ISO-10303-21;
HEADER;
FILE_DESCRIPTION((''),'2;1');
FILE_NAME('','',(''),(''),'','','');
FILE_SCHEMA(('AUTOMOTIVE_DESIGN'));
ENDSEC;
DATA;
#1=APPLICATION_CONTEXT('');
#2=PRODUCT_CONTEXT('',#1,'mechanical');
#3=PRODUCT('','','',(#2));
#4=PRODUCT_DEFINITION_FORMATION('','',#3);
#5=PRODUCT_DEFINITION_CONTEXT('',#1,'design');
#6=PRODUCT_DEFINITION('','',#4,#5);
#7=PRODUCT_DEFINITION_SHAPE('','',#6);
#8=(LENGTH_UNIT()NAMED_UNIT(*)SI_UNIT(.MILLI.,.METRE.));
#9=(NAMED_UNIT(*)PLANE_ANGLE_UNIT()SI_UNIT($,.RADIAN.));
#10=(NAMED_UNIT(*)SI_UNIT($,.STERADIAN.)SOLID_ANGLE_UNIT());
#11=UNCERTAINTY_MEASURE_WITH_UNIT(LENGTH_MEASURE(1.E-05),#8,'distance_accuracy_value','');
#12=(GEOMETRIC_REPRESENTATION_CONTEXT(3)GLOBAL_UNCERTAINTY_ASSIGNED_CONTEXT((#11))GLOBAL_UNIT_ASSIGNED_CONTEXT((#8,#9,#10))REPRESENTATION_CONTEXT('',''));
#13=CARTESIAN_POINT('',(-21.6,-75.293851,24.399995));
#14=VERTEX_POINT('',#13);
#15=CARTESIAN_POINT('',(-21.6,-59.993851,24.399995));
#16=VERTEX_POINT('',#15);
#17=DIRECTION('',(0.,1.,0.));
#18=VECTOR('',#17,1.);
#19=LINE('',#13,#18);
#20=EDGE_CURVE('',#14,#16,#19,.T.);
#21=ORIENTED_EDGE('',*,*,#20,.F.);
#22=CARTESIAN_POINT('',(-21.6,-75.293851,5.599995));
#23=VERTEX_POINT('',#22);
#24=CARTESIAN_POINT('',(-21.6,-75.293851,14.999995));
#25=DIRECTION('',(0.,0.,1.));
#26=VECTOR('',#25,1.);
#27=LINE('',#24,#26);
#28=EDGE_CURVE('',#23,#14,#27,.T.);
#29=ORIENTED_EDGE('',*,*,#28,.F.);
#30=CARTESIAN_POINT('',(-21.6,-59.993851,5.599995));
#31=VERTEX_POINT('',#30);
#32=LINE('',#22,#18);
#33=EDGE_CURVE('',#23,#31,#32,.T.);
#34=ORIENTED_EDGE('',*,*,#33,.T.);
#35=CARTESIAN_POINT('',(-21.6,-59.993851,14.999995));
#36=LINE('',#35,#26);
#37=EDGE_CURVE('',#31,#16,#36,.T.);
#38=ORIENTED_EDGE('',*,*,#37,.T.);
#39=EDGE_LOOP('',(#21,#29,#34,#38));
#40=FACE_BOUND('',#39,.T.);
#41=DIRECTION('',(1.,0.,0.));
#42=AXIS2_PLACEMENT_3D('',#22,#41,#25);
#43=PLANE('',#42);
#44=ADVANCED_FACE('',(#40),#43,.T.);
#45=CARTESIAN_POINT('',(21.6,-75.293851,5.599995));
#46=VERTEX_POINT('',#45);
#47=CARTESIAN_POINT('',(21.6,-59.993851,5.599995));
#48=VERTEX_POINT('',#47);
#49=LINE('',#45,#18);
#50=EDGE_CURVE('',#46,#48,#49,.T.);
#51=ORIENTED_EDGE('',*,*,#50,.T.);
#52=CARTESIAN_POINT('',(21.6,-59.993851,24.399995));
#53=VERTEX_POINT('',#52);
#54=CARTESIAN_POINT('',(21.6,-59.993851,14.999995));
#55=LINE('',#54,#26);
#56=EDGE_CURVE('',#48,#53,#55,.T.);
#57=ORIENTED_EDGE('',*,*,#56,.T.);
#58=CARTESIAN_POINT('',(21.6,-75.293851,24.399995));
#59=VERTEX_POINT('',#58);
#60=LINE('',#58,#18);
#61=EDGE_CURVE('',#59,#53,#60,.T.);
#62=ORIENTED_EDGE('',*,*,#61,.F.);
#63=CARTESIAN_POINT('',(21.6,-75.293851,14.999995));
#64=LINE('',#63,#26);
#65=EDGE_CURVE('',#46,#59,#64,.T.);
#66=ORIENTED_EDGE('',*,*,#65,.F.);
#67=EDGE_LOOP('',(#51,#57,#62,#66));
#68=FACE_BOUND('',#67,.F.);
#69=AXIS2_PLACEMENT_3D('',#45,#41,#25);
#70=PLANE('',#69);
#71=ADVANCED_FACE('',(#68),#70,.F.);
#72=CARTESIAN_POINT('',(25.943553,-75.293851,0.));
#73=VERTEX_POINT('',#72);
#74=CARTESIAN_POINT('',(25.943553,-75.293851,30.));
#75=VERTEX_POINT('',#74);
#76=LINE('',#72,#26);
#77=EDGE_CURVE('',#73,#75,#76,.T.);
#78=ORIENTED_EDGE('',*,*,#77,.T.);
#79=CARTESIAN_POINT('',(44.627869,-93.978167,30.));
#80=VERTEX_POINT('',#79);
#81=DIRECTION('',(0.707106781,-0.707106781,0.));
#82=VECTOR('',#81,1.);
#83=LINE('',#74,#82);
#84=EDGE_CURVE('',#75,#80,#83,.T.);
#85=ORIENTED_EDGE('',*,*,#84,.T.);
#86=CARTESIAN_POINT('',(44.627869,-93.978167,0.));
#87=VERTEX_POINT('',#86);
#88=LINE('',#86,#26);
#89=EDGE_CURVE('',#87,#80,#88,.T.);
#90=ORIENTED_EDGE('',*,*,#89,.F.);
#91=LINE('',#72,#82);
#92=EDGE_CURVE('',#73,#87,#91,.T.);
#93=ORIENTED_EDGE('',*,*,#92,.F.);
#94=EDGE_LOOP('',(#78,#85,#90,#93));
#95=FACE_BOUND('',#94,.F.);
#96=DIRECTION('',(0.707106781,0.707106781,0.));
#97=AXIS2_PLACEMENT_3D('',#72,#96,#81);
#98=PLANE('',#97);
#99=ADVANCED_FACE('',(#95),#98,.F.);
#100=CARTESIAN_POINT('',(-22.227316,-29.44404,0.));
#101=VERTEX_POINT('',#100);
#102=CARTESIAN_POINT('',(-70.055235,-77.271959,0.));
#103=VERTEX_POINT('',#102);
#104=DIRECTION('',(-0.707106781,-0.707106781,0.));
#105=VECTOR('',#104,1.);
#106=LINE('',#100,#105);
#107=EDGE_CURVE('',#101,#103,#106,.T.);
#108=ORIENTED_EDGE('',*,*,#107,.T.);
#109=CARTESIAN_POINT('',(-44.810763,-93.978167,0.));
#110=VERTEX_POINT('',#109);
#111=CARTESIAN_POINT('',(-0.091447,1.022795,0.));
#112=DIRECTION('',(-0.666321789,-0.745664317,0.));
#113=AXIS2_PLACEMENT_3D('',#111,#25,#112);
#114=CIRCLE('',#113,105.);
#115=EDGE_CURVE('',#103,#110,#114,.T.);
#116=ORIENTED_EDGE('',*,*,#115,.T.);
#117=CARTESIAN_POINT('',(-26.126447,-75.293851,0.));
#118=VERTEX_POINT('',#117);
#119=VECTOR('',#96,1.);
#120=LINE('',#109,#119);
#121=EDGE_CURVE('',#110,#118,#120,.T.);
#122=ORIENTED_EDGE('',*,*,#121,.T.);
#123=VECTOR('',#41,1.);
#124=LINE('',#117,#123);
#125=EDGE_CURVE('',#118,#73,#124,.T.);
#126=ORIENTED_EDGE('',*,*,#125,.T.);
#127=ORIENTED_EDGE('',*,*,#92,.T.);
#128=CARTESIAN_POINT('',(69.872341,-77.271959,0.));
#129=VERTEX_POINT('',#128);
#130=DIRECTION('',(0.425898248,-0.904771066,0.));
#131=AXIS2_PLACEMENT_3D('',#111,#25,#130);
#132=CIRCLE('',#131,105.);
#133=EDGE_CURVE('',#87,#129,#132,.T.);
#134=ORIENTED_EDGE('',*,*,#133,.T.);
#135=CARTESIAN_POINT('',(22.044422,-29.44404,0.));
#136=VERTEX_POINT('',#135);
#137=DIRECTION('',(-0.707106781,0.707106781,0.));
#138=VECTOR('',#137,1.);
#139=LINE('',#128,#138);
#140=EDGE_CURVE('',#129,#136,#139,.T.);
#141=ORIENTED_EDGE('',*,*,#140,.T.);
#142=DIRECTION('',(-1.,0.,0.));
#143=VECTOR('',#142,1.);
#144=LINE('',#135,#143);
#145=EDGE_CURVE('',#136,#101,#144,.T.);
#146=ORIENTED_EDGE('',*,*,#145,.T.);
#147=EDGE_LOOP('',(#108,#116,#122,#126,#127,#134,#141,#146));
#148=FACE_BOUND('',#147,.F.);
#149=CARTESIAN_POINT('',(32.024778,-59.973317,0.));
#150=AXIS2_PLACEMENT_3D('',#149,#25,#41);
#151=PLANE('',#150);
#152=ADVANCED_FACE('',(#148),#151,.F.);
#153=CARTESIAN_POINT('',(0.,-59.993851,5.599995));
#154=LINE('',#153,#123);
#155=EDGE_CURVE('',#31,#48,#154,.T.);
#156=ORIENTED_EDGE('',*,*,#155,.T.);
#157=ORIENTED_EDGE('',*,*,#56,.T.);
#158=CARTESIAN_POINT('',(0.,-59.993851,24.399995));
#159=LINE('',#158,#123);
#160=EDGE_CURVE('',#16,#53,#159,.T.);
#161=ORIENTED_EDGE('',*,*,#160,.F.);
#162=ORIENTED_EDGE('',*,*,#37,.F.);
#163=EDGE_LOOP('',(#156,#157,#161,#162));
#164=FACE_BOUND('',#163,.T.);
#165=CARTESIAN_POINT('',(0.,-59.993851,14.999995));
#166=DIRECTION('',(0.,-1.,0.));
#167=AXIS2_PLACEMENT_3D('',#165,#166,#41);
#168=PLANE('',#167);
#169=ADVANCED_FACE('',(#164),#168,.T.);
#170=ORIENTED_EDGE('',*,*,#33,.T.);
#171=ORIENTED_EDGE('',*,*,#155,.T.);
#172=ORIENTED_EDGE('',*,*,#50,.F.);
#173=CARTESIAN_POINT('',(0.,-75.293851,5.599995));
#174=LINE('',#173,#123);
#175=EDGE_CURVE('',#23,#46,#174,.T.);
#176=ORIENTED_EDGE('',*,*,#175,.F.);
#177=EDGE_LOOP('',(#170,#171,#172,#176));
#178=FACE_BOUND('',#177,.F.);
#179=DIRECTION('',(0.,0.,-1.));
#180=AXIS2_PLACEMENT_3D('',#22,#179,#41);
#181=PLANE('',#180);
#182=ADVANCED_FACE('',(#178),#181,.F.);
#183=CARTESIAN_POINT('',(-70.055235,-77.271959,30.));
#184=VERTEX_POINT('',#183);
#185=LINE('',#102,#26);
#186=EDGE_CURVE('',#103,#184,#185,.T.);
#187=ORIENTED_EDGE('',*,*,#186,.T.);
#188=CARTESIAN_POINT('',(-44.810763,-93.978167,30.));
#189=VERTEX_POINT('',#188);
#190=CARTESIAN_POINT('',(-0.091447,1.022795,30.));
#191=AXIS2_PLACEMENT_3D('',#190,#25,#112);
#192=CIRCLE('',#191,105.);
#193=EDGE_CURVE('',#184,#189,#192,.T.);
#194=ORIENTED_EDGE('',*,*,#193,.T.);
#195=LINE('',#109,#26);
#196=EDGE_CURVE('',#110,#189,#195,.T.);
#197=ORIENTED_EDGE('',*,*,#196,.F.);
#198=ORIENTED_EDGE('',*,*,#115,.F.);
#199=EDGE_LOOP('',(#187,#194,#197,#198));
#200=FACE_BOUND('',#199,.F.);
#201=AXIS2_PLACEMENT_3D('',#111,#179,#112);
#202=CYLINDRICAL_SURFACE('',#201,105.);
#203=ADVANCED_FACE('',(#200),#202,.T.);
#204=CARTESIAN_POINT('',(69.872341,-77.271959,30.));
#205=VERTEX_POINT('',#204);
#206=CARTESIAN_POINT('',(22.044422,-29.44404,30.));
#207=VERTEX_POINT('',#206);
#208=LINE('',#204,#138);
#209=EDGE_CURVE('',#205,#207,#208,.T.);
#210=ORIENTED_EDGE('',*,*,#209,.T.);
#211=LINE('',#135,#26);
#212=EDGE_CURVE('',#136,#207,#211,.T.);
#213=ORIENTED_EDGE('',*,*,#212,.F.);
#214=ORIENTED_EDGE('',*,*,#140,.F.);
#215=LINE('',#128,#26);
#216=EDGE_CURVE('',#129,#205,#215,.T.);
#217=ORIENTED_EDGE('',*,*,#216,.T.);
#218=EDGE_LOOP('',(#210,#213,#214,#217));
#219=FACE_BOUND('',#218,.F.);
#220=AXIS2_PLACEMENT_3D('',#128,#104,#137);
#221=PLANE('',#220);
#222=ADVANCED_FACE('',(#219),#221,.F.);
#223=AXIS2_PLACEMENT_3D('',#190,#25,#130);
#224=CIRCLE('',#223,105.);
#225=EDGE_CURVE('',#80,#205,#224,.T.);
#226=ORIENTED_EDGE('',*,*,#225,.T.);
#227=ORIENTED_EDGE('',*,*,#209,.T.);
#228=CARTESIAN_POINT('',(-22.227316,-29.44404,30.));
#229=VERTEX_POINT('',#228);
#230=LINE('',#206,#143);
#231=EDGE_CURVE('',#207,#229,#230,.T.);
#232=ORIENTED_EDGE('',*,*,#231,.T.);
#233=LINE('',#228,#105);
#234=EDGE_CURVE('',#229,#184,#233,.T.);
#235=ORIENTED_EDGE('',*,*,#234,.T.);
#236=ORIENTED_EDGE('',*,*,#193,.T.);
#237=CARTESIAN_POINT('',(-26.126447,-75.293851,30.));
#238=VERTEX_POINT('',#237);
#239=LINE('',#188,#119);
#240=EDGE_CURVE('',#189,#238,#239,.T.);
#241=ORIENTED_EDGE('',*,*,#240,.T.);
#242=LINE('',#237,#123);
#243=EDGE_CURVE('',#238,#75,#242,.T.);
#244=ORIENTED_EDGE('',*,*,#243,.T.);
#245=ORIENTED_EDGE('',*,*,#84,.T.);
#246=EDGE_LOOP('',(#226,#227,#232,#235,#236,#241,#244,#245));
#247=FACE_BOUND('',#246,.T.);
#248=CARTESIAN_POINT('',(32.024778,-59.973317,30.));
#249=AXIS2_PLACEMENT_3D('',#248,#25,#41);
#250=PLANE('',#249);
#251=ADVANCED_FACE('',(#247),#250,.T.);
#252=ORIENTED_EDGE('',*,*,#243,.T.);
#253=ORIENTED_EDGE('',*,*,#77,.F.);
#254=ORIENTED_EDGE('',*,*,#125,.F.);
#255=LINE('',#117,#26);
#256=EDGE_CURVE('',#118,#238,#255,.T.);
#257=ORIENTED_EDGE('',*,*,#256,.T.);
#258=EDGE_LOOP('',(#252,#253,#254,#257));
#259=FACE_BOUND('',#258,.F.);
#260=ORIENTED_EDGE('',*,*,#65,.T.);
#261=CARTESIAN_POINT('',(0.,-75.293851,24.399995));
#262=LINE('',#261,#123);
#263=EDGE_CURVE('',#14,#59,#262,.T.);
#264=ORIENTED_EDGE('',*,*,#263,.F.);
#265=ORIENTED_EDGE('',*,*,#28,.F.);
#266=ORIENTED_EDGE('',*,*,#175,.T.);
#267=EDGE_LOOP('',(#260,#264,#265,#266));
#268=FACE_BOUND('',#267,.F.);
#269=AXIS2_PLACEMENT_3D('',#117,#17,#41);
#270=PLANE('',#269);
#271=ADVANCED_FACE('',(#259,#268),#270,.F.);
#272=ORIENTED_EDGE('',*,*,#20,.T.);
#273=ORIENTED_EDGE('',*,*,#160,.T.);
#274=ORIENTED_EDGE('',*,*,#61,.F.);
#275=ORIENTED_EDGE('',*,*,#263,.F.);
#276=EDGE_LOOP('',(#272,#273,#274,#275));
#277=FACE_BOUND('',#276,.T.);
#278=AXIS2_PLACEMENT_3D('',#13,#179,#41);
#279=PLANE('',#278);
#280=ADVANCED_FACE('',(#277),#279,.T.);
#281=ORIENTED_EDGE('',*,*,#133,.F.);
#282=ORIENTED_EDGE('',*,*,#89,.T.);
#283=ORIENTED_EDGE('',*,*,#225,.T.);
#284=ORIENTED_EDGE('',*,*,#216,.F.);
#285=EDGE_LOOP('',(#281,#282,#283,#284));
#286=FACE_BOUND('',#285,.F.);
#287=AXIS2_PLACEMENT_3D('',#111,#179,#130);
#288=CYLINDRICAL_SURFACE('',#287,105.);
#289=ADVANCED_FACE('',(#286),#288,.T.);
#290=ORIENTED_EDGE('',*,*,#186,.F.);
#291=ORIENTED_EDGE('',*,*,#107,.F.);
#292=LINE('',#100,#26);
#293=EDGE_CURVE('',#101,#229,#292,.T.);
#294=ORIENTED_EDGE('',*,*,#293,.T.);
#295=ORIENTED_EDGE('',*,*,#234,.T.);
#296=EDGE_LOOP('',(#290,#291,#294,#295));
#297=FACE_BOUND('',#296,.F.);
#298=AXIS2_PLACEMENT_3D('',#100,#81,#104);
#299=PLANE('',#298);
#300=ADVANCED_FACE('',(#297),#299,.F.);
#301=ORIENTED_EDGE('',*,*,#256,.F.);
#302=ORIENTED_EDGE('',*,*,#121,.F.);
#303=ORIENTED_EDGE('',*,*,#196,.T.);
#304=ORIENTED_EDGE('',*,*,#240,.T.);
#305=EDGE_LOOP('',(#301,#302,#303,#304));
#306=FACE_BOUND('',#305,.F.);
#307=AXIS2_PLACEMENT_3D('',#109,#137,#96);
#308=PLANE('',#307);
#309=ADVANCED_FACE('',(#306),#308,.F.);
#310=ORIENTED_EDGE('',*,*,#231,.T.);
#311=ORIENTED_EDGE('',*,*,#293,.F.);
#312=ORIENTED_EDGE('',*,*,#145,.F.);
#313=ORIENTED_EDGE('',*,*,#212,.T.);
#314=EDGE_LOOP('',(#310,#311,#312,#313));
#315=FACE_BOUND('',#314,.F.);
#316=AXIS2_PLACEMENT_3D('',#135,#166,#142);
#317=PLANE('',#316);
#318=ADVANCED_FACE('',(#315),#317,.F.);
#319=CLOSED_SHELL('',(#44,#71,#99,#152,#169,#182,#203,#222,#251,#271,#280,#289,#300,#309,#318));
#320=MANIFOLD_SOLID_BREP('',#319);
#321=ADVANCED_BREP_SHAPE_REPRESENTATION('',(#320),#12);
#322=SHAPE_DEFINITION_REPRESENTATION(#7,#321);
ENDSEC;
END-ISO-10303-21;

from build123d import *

# Parameters (mm, degrees)
F1_DEPTH = 30
F2_W     = 43.2
F2_H     = 18.8
F3_DEPTH = 15.3


with BuildPart() as f1:
    # F0 (on Top) → F1 (new body)
    with BuildSketch(Plane.XY):
        with BuildLine():
            Line((22.0444222056, -29.4440398328), (-0.0914469621, -29.4440398328))
            Line((-0.0914469621, -29.4440398328), (-0.0914469621, -49.2588512566))
            Line((-0.0914469621, -49.2588512566), (25.9435530379, -75.2938512566))
            Line((25.9435530379, -75.2938512566), (44.6278690687, -93.9781672875))
            ThreePointArc((44.6278690687, -93.9781672875), (57.8553211437, -86.5395948889), (69.8723409305, -77.2719585577))
            Line((69.8723409305, -77.2719585577), (22.0444222056, -29.4440398328))
        make_face()
        with BuildLine():
            Line((-22.2273161299, -29.4440398328), (-70.0552348548, -77.2719585577))
            ThreePointArc((-70.0552348548, -77.2719585577), (-58.038215068, -86.5395948889), (-44.810762993, -93.9781672875))
            Line((-44.810762993, -93.9781672875), (-26.1264469621, -75.2938512566))
            Line((-26.1264469621, -75.2938512566), (-0.0914469621, -49.2588512566))
            Line((-0.0914469621, -49.2588512566), (-0.0914469621, -29.4440398328))
            Line((-0.0914469621, -29.4440398328), (-22.2273161299, -29.4440398328))
        make_face()
        Polygon((-0.0914469621, -49.2588512566), (-26.1264469621, -75.2938512566), (-0.0914469621, -75.2938512566), align=None)
        Polygon((-0.0914469621, -49.2588512566), (-0.0914469621, -75.2938512566), (25.9435530379, -75.2938512566), align=None)
    extrude(amount=F1_DEPTH)

    # F2 (on face) → F3 (cut)
    with BuildSketch(Plane.XZ.offset(75.2938512566)):
        with Locations((0, 14.9999954)):
            Rectangle(F2_W, F2_H)
    extrude(amount=-F3_DEPTH, mode=Mode.SUBTRACT)


solid = f1.part
